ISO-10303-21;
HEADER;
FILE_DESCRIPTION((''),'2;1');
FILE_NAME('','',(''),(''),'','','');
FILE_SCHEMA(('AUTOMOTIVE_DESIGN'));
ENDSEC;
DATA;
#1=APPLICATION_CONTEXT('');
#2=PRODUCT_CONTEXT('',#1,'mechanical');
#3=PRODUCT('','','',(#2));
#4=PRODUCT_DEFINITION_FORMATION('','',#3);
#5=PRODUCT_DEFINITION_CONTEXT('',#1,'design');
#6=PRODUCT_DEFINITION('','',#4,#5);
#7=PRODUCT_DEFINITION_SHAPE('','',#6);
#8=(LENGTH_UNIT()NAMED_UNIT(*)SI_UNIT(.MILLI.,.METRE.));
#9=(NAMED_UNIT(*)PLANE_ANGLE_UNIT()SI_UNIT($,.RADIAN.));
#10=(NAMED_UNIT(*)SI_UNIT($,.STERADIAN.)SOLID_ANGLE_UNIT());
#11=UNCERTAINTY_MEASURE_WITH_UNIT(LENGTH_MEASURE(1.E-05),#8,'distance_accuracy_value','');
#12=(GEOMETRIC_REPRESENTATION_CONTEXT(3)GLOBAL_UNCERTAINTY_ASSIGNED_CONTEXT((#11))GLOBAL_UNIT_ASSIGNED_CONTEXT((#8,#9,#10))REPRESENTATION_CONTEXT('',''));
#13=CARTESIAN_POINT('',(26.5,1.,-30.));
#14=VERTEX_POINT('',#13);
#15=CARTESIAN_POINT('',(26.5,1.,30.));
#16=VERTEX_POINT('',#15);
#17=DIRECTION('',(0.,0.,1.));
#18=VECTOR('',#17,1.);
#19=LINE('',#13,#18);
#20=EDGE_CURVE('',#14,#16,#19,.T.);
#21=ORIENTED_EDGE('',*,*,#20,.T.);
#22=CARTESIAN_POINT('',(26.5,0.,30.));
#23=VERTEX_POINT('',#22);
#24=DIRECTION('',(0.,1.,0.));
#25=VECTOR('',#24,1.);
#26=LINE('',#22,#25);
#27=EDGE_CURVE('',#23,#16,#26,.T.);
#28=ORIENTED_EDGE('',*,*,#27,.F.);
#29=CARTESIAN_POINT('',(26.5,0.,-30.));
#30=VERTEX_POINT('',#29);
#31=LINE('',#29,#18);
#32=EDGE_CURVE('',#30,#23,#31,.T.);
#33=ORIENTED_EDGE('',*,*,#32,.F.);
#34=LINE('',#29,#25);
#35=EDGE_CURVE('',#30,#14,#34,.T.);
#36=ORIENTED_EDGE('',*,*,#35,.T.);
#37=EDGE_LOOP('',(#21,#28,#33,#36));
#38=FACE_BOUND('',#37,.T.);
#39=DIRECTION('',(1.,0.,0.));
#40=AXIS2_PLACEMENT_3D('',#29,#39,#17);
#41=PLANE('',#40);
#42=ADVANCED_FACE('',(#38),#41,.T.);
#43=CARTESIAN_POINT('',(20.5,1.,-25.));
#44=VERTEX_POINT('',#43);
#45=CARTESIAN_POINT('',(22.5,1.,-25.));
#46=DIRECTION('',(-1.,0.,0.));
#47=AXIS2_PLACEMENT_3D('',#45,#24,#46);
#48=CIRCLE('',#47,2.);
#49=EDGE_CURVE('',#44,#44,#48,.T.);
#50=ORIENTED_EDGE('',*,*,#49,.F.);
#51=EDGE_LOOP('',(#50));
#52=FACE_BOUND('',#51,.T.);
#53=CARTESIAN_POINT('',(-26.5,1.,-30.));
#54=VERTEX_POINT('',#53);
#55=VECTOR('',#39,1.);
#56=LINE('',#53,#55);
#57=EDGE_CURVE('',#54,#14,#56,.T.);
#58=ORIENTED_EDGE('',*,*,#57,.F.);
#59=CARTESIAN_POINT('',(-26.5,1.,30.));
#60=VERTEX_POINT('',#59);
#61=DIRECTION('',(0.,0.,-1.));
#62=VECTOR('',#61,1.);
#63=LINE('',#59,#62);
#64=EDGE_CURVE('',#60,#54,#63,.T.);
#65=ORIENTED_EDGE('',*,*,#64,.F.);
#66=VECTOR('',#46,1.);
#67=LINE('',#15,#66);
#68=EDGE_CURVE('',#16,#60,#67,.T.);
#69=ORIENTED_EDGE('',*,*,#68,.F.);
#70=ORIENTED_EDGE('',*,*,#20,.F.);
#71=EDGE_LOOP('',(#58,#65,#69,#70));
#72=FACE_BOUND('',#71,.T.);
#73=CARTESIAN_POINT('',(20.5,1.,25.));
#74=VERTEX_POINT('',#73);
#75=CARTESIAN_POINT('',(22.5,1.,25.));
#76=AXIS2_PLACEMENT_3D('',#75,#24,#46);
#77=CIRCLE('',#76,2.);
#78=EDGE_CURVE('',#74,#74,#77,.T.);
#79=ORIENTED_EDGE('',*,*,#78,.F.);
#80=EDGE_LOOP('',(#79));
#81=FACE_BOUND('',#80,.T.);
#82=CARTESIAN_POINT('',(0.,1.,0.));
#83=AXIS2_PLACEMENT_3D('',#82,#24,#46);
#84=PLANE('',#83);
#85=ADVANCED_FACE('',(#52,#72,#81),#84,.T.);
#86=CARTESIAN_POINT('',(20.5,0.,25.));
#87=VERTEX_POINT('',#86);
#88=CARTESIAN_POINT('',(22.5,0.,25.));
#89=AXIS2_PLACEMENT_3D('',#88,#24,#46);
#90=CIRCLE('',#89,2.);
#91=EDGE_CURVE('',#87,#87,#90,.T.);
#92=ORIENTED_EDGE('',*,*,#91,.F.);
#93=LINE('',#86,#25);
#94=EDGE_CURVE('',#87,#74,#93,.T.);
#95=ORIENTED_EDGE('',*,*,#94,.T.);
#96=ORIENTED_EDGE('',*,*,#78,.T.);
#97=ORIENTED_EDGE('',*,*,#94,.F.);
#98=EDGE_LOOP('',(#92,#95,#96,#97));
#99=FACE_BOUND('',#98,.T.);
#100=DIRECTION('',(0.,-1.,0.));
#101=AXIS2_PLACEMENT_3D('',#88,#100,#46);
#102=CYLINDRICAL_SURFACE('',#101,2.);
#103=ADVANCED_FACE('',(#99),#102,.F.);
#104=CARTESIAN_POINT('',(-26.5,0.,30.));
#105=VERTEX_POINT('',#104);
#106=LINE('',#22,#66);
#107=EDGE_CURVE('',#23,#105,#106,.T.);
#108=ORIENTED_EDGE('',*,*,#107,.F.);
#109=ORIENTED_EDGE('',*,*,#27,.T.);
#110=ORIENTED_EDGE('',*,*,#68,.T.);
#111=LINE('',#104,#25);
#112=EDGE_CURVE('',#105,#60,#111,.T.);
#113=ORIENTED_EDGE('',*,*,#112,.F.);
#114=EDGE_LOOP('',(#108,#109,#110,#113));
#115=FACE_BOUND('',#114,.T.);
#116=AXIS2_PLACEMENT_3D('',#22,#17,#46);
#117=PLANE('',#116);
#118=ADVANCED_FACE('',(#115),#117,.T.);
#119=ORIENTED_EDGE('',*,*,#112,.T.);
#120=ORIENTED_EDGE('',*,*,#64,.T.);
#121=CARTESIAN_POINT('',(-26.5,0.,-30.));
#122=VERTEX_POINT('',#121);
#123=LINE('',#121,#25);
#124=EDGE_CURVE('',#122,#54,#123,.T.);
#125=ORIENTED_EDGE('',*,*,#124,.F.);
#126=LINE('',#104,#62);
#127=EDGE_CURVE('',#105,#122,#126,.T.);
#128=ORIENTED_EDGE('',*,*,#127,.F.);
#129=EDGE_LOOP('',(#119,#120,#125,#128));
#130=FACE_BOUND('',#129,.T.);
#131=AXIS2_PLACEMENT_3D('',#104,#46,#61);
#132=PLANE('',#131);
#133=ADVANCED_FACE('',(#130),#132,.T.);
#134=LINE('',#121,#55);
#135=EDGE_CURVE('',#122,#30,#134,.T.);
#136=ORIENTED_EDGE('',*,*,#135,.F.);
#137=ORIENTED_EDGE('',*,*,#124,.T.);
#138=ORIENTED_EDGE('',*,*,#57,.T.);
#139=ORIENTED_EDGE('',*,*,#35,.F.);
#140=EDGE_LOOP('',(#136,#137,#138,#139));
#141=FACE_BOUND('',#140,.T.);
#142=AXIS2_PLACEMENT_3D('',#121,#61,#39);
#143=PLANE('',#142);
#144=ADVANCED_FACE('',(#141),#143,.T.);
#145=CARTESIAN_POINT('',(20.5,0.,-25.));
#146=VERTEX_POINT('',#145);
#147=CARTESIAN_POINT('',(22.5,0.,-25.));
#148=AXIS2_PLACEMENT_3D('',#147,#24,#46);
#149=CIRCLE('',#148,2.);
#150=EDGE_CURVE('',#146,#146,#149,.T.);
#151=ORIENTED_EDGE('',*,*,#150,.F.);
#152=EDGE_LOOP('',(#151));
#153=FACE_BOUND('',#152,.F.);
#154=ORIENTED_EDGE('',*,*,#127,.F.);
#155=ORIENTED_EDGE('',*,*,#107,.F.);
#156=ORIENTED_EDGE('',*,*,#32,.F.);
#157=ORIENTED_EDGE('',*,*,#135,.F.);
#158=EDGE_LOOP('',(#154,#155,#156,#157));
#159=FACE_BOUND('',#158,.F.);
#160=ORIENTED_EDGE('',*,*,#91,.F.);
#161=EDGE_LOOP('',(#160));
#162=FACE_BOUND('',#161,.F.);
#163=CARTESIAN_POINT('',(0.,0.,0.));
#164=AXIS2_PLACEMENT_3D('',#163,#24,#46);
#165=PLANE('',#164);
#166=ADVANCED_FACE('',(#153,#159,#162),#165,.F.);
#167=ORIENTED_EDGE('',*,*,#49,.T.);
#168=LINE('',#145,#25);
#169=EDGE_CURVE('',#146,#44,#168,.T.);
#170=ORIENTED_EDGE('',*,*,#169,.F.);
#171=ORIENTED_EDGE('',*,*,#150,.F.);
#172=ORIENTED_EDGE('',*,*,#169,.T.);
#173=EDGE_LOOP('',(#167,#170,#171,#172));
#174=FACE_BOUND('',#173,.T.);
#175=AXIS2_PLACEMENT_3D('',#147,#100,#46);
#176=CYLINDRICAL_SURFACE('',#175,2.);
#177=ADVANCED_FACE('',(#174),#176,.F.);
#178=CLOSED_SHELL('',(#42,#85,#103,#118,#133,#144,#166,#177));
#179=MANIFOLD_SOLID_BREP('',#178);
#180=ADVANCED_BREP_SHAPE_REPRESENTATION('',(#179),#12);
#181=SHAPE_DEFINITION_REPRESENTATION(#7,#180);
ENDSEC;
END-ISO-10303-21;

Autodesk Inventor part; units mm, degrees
ref_plane "YZ Plane" through (0, 0, 0) normal (1, 0, 0) x (0, 1, 0)
ref_plane "XZ Plane" through (0, 0, 0) normal (0, 1, 0) x (-1, 0, 0)
ref_plane "XY Plane" through (0, 0, 0) normal (0, 0, 1) x (1, 0, 0)
sketch "Эскиз1" plane through (0, 0, 0) normal (0, 1, 0) x (-1, 0, 0)
  line L0 (-26.5, 30) -> (26.5, 30)
  line L1 (26.5, 30) -> (26.5, -30)
  line L2 (26.5, -30) -> (-26.5, -30)
  line L3 (-26.5, -30) -> (-26.5, 30)
  line L4 (-26.5, 30) -> (26.5, -30) construction
  line L5 (26.5, 30) -> (-26.5, -30) construction
  circle A0 centre (-22.5, 25) radius 2
  circle A1 centre (-22.5, -25) radius 2
  line L6 (-26.5, 0) -> (26.5, 0) construction
  point P0 (0, 0)
  dimension "d0" = 60
  dimension "d1" = 53
  dimension "d2" = 4
  dimension "d3" = 50
  dimension "d4" = 4
extrude "Выдавливание1" add sketch "Эскиз1" along normal blind 1
properties part number "Плата индикации"
